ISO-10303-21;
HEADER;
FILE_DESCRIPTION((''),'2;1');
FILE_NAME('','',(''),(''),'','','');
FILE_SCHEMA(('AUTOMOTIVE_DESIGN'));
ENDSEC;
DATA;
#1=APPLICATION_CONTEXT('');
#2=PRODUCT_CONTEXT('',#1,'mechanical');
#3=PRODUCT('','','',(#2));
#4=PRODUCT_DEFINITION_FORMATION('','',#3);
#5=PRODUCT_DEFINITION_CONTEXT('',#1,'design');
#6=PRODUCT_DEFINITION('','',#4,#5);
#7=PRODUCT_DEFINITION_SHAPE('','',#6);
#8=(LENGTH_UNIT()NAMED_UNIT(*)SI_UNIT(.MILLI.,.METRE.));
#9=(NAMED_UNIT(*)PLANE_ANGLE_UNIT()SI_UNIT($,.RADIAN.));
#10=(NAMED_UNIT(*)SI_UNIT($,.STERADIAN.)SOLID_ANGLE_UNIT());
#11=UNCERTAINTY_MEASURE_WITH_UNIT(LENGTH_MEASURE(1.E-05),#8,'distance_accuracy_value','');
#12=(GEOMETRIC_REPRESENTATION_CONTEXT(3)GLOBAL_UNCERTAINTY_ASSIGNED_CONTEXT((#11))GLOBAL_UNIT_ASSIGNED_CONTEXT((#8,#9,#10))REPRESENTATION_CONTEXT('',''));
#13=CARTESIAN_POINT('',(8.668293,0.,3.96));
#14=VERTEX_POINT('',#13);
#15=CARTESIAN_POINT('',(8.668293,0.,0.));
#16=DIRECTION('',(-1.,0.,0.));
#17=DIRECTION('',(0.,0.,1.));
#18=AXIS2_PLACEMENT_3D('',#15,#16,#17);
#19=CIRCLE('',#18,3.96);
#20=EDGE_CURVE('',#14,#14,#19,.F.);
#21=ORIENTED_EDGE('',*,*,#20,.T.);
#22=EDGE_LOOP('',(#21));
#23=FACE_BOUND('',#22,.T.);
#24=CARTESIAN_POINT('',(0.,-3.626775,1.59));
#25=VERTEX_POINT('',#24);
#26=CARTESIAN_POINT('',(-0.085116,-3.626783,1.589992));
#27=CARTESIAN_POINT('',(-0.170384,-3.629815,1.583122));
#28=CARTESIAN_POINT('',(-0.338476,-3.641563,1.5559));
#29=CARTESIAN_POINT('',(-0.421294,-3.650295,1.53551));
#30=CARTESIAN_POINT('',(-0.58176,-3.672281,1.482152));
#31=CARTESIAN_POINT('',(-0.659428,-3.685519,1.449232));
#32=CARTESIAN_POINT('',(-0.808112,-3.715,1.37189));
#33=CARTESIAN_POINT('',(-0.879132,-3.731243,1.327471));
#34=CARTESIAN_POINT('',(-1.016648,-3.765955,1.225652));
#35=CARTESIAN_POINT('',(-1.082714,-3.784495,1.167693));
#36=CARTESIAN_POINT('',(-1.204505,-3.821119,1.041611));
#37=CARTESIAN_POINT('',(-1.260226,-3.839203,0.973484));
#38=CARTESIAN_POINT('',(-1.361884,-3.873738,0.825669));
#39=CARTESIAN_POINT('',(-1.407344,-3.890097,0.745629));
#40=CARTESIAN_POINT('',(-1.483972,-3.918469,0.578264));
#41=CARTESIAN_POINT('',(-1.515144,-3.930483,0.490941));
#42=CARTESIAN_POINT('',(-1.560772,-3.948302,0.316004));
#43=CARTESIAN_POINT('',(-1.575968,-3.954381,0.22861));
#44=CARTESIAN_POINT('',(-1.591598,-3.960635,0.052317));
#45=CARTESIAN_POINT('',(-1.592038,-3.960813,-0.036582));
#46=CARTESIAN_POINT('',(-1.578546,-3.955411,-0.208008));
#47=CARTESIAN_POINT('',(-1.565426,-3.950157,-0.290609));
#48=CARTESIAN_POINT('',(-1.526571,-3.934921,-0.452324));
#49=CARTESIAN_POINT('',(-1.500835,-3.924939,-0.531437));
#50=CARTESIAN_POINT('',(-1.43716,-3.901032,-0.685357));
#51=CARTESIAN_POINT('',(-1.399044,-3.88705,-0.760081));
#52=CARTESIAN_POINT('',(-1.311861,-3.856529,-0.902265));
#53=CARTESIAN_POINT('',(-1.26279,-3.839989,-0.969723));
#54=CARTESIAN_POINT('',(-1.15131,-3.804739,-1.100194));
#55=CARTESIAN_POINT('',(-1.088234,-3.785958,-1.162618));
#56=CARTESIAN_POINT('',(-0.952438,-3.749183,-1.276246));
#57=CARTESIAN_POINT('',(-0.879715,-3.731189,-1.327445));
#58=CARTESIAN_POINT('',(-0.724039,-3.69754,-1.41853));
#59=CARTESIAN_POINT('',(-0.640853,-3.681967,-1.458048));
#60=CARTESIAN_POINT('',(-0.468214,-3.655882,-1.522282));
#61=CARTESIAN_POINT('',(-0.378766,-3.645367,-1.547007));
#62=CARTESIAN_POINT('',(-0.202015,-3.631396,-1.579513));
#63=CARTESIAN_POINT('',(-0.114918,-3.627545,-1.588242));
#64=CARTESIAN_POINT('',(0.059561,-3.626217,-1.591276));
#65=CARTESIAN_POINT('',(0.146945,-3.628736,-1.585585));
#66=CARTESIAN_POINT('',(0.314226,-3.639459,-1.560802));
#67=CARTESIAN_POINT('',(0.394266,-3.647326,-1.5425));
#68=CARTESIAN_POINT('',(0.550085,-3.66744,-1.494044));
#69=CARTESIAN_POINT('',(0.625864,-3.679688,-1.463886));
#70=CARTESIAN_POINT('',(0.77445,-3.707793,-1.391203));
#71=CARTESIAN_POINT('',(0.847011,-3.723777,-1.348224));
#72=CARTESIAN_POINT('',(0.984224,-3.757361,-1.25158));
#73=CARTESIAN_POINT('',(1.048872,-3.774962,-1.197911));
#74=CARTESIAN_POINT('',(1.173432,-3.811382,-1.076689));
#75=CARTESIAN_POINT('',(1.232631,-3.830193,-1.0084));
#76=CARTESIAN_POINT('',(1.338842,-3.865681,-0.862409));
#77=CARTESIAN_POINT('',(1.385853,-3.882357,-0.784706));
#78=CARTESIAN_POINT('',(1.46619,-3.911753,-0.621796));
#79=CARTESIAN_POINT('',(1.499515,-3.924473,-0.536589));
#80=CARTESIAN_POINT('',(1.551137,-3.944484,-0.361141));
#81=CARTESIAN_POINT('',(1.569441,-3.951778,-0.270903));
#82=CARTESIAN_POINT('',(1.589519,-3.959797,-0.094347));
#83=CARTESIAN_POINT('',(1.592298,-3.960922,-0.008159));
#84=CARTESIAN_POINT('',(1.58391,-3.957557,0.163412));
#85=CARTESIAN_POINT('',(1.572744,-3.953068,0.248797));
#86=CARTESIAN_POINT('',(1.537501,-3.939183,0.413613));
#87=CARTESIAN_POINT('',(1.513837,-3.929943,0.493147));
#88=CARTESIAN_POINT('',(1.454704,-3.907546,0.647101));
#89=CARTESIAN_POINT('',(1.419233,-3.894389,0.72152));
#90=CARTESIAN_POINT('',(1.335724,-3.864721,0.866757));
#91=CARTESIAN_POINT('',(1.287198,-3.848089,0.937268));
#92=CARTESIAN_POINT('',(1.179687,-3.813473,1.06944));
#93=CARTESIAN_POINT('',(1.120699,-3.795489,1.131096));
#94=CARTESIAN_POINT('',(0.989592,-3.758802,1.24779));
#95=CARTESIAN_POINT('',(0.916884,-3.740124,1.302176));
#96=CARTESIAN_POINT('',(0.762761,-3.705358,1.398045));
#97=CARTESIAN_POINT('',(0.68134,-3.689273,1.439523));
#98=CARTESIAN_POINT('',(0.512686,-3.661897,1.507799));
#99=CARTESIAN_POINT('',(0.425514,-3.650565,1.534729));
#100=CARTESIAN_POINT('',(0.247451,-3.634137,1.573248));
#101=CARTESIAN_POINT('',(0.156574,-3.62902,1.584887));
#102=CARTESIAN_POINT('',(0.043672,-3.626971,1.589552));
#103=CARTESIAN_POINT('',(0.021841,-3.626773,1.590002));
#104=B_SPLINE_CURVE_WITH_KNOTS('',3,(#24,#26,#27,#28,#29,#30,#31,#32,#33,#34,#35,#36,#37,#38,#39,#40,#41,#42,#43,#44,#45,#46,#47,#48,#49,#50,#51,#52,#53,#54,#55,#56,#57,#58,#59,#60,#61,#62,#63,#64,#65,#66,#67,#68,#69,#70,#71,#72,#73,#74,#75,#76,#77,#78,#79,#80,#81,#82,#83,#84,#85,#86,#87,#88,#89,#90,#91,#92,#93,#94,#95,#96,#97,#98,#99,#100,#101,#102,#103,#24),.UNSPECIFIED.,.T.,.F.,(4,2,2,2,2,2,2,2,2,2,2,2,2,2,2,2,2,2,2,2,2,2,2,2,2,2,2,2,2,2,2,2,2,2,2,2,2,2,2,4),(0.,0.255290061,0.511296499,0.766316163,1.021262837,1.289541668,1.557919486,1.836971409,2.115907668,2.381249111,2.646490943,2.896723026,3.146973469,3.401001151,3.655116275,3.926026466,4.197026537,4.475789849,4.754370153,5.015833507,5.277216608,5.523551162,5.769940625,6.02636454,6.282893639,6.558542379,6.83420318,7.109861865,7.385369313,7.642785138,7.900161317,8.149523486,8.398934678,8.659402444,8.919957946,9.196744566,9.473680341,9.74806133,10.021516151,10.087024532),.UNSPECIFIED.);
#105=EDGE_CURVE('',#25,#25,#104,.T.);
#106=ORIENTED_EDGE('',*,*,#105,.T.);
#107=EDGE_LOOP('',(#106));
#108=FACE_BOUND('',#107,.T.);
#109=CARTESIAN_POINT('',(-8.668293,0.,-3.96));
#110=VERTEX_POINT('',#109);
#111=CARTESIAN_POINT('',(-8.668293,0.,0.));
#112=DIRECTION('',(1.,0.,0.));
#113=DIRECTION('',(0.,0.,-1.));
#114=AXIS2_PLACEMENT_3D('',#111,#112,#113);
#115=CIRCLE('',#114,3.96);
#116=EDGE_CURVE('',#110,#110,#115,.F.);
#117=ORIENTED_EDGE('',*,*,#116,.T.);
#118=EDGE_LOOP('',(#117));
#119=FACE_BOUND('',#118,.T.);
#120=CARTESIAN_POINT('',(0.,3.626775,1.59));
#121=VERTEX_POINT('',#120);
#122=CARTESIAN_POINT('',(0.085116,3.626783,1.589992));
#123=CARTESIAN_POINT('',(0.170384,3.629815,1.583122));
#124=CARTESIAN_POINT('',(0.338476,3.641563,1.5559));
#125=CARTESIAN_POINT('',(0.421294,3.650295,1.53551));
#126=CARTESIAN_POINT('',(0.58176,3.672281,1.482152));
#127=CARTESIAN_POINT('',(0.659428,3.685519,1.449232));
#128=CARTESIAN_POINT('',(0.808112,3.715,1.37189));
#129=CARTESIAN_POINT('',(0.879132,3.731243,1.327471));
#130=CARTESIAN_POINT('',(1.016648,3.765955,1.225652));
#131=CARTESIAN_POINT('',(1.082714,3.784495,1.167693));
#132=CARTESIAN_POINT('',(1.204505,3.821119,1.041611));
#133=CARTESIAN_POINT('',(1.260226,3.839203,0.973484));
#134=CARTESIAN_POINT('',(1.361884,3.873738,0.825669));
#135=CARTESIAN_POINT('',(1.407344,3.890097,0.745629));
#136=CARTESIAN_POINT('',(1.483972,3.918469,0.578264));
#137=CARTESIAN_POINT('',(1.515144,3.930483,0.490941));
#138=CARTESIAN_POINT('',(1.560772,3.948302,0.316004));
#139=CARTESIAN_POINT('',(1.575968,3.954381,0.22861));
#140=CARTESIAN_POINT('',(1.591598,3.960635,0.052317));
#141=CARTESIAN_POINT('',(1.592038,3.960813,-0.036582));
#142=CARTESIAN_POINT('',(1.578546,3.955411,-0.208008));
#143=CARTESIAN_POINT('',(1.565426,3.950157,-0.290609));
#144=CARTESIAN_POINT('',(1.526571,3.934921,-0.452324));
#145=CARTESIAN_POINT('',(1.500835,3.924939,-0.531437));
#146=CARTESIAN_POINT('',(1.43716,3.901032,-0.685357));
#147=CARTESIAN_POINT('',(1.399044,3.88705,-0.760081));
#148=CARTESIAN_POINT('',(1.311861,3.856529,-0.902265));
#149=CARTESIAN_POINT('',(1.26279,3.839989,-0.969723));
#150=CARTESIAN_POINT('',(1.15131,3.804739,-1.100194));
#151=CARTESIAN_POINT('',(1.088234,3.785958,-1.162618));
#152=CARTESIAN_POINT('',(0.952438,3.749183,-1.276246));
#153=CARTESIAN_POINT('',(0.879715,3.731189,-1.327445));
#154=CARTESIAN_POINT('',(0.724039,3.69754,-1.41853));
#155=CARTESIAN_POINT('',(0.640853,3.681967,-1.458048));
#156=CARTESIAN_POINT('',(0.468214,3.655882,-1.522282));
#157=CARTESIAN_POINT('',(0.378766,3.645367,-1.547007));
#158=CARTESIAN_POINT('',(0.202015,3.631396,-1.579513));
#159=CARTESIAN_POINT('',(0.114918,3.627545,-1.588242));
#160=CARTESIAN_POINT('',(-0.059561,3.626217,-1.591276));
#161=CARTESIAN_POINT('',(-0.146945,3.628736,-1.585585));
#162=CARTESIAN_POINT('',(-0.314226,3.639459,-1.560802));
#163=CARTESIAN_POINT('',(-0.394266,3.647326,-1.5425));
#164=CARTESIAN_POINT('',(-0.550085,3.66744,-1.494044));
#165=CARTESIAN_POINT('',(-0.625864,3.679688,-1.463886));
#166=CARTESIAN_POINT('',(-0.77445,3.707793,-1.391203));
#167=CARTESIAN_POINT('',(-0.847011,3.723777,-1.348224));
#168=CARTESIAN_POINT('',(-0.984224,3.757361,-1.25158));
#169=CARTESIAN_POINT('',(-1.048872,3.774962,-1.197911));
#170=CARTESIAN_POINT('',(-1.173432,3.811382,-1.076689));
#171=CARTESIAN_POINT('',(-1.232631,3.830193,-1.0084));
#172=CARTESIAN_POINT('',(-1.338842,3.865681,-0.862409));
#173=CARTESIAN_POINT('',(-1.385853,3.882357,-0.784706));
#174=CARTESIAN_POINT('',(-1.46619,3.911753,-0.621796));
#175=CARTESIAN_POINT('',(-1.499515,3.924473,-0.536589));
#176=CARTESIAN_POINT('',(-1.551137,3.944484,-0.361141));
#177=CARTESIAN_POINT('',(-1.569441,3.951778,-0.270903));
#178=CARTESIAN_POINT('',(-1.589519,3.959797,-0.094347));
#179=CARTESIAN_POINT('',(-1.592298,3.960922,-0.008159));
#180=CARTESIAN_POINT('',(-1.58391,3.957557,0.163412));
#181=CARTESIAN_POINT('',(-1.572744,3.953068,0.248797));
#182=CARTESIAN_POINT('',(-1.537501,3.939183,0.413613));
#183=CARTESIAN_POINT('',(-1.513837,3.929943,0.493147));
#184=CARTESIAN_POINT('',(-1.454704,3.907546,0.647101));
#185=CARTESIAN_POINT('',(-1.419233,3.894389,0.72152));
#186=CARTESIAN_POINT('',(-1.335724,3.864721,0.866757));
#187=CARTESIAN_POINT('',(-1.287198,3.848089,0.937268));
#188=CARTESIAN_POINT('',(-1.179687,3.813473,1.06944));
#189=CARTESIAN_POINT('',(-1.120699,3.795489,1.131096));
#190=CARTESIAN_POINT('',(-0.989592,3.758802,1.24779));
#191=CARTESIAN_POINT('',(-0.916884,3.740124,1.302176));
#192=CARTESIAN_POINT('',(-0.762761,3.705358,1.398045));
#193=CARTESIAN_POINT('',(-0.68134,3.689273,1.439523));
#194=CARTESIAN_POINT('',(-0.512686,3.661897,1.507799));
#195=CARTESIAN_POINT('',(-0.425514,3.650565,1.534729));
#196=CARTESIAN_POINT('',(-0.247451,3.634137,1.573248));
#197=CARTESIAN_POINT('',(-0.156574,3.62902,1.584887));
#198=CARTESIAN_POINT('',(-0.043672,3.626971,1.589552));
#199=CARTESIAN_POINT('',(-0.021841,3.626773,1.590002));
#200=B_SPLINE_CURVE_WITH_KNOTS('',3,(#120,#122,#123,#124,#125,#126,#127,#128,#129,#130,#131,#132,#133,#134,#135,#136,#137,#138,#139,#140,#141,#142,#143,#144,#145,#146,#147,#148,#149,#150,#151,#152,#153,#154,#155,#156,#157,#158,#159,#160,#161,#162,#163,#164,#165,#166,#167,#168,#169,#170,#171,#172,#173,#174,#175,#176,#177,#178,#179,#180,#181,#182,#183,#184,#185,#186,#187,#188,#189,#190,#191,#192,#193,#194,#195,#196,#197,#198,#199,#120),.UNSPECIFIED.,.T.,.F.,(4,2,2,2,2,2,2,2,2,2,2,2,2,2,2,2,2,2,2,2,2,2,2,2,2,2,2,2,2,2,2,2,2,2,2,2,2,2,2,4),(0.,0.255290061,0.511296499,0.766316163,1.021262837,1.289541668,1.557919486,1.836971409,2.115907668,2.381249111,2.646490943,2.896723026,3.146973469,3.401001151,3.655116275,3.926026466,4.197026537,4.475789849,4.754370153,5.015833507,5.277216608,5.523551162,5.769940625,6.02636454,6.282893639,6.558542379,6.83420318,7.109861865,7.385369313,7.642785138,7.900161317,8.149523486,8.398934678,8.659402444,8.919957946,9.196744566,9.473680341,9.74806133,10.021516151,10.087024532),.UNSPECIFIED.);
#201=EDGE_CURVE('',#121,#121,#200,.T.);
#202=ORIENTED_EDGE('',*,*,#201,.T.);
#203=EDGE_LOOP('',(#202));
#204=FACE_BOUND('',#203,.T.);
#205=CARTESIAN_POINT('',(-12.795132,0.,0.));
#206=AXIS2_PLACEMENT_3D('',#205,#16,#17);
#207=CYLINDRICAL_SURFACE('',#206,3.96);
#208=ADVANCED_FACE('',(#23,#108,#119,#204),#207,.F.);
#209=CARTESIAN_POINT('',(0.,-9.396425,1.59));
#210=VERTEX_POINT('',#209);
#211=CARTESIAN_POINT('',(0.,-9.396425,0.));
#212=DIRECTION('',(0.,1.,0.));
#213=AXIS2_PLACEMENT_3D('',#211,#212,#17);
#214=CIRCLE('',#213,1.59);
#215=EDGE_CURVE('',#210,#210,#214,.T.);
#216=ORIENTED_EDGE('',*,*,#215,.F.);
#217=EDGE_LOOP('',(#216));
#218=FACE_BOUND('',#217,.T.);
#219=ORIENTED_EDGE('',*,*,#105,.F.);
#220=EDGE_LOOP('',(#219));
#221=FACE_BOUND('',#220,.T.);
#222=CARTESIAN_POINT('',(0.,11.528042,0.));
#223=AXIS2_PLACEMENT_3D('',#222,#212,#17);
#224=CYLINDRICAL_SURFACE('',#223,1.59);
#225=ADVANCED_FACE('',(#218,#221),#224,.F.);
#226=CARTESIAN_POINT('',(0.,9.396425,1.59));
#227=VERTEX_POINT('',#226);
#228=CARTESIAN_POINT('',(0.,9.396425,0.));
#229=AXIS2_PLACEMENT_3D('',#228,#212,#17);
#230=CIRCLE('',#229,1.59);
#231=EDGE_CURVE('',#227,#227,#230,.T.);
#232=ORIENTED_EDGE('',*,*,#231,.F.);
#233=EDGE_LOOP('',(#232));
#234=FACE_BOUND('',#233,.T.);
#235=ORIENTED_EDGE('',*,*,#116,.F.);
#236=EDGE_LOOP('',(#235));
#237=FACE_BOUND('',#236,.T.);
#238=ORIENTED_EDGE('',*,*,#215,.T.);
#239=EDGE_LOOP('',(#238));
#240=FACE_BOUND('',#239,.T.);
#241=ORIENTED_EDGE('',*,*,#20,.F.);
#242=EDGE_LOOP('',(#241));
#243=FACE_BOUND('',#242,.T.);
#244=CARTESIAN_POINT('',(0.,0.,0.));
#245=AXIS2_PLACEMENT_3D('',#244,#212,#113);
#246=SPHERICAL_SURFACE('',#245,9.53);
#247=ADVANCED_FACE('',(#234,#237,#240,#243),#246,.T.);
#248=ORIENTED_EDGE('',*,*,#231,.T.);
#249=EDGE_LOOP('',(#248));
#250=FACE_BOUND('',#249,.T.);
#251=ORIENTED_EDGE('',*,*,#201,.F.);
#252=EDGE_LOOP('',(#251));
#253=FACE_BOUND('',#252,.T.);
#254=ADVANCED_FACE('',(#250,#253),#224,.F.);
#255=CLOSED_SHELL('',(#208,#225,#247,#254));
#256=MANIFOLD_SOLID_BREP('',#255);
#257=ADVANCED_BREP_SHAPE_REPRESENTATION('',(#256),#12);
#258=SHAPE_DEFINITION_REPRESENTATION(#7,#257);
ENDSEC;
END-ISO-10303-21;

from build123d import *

# Parameters (mm, degrees)
SKETCH2_W = 26.852940898
SKETCH2_H = 3.96


with BuildPart() as part:
    # Sketch1 → Revolve1 (revolve)
    with BuildSketch(Plane(origin=(0, 0, 0), x_dir=(0, 0, -1), z_dir=(1, 0, 0))):
        with BuildLine():
            Line((1.59, 9.396424852), (1.59, -9.396424852))
            ThreePointArc((1.59, -9.396424852), (9.53, 0), (1.59, 9.396424852))
        make_face()
    revolve(axis=Axis((0, 11.528042045, 0), (0, -1, 0)))

    # Sketch2 → Cut-Revolve1 (revolve, cut)
    with BuildSketch(Plane.XY, mode=Mode.PRIVATE) as cut_revolve1_sk:
        with Locations((0.631338736, 1.98)):
            Rectangle(SKETCH2_W, SKETCH2_H)
    revolve(cut_revolve1_sk.sketch.rotate(Axis((-12.795131713, 0, 0), (1, 0, 0)), 90), axis=Axis((-12.795131713, 0, 0), (1, 0, 0)), mode=Mode.SUBTRACT)


solid = part.part
